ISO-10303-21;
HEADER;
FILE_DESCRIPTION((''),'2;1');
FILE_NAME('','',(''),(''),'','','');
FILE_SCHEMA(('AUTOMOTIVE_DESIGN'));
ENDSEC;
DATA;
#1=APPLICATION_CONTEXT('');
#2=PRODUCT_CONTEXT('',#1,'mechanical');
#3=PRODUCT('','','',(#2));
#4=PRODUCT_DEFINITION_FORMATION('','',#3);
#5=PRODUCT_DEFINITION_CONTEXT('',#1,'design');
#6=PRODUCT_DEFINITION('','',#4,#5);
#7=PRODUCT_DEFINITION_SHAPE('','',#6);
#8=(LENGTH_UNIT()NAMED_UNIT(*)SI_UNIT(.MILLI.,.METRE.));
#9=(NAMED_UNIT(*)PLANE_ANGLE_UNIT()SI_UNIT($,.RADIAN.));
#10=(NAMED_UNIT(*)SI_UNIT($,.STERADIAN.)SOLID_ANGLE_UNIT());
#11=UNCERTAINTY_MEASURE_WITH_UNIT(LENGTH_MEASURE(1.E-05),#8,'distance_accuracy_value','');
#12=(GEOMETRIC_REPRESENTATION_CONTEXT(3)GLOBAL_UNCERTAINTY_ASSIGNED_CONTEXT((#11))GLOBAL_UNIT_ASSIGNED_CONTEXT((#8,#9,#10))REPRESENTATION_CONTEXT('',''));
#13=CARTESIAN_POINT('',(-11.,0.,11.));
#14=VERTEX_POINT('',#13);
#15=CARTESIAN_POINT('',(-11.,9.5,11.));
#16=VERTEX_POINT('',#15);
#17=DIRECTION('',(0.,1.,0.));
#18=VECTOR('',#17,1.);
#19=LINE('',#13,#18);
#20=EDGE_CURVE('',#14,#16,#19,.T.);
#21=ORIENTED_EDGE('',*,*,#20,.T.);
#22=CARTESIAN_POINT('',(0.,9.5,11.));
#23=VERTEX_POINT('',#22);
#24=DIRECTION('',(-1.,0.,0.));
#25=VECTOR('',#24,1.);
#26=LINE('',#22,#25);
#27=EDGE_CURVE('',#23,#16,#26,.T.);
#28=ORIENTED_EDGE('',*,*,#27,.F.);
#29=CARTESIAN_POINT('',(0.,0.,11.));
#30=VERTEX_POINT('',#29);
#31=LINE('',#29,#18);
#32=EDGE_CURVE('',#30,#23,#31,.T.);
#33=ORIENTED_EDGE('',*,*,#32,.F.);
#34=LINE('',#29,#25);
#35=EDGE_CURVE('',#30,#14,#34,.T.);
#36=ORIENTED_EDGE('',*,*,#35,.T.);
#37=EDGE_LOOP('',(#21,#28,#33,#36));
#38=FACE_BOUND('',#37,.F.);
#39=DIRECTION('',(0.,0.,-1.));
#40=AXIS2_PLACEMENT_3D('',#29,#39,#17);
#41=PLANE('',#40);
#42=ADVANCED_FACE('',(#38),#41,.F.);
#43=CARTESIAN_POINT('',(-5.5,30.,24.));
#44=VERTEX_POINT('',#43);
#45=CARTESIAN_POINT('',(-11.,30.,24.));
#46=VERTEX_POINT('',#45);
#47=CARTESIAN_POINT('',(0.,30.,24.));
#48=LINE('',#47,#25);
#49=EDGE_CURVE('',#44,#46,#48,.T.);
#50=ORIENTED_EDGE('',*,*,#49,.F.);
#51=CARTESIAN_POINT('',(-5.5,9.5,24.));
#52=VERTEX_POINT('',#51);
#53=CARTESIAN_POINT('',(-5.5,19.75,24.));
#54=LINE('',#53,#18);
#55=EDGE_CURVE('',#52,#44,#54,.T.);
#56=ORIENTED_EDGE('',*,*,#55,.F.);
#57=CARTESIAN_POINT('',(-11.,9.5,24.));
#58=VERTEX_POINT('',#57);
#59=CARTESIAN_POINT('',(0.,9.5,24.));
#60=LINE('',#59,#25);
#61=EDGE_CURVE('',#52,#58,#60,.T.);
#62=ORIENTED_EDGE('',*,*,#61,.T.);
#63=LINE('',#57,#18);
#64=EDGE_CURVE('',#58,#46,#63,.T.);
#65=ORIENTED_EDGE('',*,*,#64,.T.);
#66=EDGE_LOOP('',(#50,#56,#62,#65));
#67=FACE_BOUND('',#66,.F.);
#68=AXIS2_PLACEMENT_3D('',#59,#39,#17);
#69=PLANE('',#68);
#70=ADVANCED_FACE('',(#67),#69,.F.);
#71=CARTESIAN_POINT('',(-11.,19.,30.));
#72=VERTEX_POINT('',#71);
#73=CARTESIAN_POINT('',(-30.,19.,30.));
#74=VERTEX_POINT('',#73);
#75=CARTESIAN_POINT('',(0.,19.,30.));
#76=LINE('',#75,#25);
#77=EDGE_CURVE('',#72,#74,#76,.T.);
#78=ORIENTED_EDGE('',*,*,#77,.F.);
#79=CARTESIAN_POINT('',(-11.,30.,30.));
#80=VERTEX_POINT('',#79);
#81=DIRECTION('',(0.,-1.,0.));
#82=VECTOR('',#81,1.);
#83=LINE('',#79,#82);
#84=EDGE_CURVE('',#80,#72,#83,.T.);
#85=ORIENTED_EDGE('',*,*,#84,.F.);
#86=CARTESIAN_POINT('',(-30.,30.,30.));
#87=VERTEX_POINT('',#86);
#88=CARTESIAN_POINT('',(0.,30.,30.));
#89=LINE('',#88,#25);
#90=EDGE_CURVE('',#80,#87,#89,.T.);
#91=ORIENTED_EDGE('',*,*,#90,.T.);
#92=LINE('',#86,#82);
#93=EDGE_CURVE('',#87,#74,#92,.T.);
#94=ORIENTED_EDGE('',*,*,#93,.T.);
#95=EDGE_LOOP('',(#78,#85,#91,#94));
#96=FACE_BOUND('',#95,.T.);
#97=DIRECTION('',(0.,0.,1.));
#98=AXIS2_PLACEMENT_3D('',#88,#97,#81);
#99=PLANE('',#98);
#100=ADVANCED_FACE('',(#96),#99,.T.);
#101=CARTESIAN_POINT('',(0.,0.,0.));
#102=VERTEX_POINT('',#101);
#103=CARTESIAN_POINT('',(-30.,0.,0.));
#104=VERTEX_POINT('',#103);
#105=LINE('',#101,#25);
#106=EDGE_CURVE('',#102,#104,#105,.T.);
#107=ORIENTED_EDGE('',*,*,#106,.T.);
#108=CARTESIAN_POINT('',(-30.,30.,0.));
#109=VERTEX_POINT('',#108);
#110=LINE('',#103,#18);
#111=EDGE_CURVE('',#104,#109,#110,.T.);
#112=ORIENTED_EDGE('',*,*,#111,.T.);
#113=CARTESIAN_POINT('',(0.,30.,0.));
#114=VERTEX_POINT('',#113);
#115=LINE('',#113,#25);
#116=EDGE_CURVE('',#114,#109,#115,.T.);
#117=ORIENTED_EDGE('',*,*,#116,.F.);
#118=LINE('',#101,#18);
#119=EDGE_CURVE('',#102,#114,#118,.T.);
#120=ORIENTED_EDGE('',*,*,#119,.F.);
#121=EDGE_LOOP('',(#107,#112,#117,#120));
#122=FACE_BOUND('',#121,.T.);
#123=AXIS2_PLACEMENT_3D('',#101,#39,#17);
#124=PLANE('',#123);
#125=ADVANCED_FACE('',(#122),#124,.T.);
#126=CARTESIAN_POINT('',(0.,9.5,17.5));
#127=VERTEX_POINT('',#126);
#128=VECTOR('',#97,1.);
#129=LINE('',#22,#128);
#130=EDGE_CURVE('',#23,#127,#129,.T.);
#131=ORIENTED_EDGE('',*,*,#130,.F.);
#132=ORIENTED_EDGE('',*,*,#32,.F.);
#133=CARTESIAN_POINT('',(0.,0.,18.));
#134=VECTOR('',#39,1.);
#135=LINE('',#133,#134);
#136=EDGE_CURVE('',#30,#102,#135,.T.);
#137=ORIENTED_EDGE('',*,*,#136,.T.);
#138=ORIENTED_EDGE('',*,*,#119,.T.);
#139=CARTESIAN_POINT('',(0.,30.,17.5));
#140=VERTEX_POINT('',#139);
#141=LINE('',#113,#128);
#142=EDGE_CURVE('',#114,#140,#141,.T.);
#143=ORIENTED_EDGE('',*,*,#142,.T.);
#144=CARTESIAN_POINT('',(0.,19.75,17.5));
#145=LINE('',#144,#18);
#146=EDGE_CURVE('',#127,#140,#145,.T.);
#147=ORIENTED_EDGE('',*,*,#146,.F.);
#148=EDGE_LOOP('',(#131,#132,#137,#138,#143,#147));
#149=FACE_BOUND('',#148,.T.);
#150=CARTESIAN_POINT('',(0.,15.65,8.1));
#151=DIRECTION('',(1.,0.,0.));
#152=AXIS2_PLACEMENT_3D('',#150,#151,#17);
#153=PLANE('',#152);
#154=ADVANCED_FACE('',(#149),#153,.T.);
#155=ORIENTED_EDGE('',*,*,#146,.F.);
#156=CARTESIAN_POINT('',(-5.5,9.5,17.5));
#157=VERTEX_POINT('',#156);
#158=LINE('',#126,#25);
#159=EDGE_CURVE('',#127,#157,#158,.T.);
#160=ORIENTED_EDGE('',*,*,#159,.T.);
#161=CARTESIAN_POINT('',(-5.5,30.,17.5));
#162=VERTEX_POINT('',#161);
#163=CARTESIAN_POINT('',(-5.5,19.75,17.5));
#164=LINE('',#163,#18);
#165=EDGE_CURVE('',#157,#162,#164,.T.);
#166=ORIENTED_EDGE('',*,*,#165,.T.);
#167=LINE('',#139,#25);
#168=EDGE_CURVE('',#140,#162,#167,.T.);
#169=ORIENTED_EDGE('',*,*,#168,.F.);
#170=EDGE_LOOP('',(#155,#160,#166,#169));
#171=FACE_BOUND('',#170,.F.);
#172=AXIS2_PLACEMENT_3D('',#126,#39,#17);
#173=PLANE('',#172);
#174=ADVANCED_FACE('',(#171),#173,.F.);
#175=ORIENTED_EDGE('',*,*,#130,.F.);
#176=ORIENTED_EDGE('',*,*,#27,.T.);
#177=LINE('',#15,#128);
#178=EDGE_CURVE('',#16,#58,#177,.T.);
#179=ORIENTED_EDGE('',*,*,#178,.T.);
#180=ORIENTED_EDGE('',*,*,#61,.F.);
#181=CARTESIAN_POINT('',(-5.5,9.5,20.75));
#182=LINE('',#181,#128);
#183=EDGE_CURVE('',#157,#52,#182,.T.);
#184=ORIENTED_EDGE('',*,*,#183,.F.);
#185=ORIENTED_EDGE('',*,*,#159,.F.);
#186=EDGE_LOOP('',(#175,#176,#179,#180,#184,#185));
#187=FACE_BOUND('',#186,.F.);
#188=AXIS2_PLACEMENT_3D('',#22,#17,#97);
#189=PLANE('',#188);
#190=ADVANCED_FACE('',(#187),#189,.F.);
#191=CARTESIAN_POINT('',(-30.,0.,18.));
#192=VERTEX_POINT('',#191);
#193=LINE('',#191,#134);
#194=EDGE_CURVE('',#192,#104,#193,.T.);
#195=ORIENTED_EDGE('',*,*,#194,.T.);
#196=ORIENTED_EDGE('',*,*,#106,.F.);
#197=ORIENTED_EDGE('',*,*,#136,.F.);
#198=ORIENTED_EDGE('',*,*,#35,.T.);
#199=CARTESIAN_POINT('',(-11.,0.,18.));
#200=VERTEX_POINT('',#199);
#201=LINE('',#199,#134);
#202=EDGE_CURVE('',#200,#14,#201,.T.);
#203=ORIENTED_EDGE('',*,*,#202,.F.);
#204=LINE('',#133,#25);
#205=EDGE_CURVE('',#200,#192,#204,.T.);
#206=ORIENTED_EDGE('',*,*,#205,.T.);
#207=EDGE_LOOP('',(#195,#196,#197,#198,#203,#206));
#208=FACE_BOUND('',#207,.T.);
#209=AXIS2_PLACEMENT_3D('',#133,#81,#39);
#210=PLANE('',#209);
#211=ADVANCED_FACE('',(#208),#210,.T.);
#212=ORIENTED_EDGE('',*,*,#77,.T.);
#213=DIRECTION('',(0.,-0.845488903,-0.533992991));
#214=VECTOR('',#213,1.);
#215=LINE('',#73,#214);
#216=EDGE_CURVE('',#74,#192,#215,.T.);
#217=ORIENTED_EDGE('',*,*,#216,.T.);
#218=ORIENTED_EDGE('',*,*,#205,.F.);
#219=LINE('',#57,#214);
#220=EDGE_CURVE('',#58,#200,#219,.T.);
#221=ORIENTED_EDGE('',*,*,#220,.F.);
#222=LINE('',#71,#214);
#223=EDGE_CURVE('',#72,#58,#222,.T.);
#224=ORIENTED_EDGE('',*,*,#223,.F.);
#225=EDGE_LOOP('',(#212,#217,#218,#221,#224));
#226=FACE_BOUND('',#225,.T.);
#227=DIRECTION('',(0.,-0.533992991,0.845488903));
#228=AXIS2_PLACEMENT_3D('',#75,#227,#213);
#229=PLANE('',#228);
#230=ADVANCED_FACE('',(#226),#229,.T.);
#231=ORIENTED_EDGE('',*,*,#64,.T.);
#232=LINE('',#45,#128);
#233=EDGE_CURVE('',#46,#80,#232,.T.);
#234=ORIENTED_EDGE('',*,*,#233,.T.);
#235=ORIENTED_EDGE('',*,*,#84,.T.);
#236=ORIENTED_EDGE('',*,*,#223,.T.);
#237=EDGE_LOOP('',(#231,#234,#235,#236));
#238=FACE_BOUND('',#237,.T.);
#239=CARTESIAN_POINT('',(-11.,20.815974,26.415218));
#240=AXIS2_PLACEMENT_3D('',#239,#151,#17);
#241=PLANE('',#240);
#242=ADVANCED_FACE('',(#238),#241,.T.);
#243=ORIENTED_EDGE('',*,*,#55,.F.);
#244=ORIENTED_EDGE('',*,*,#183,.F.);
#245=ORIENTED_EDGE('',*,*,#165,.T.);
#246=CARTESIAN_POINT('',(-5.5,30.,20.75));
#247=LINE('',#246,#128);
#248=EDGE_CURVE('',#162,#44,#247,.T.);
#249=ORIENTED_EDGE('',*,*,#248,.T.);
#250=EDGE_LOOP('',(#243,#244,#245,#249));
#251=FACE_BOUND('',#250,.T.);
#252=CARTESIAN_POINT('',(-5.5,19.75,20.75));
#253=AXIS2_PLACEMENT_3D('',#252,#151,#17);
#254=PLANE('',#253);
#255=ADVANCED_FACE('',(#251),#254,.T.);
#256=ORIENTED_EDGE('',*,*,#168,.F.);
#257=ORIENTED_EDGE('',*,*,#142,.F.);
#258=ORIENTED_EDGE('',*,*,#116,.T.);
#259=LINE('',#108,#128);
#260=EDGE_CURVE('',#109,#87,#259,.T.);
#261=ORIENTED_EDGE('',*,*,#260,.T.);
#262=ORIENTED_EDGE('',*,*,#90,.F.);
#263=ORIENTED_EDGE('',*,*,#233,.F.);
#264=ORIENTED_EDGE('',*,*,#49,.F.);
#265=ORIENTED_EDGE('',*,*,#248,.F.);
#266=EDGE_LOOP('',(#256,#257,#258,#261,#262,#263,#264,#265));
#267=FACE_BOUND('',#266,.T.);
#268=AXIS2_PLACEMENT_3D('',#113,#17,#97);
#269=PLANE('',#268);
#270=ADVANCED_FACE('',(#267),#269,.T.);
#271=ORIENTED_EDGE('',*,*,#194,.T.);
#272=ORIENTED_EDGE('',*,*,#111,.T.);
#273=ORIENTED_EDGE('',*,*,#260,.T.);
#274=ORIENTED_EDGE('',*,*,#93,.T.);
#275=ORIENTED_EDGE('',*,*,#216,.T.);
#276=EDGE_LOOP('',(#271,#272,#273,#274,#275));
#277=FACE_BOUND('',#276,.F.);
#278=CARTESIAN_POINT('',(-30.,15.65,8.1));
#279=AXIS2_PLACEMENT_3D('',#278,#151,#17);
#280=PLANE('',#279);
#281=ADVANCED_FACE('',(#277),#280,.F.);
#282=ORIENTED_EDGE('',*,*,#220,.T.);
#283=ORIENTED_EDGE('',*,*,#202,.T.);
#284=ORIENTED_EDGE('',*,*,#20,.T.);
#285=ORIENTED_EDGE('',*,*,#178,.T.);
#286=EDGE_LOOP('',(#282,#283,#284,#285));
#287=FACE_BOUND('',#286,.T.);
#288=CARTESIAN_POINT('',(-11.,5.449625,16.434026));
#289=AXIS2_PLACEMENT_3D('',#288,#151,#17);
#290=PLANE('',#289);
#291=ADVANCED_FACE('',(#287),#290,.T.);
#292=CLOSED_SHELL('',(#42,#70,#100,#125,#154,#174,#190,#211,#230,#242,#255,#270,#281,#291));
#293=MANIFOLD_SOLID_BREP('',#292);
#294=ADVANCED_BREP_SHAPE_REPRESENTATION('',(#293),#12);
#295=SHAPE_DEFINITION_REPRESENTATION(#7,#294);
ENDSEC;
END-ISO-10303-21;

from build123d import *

# Parameters (mm, degrees)
F0_W     = 20.5
F0_H     = 6.5
F1_DEPTH = 30
F2_DEPTH = 11
F3_DEPTH = 5.5


with BuildPart() as f1:
    # F0 (on Right) → F1 (new body)
    with BuildSketch(Plane.YZ):
        Polygon((0, 11), (0, 0), (30, 0), (30, 17.5), (9.5, 17.5), (9.5, 11), align=None)
        with Locations((19.75, 20.75)):
            Rectangle(F0_W, F0_H)
        Polygon((9.5, 24), (30, 24), (30, 30), (19, 30), align=None)
        Polygon((0, 18), (0, 11), (9.5, 11), (9.5, 17.5), (9.5, 24), align=None)
    extrude(amount=-F1_DEPTH)

    # F0 (on Right) → F2 (cut)
    with BuildSketch(Plane.YZ):
        Polygon((9.5, 24), (30, 24), (30, 30), (19, 30), align=None)
        Polygon((0, 18), (0, 11), (9.5, 11), (9.5, 17.5), (9.5, 24), align=None)
    extrude(amount=-F2_DEPTH, mode=Mode.SUBTRACT)

    # F0 (on Right) → F3 (cut)
    with BuildSketch(Plane.YZ):
        with Locations((19.75, 20.75)):
            Rectangle(F0_W, F0_H)
    extrude(amount=-F3_DEPTH, mode=Mode.SUBTRACT)


solid = f1.part
